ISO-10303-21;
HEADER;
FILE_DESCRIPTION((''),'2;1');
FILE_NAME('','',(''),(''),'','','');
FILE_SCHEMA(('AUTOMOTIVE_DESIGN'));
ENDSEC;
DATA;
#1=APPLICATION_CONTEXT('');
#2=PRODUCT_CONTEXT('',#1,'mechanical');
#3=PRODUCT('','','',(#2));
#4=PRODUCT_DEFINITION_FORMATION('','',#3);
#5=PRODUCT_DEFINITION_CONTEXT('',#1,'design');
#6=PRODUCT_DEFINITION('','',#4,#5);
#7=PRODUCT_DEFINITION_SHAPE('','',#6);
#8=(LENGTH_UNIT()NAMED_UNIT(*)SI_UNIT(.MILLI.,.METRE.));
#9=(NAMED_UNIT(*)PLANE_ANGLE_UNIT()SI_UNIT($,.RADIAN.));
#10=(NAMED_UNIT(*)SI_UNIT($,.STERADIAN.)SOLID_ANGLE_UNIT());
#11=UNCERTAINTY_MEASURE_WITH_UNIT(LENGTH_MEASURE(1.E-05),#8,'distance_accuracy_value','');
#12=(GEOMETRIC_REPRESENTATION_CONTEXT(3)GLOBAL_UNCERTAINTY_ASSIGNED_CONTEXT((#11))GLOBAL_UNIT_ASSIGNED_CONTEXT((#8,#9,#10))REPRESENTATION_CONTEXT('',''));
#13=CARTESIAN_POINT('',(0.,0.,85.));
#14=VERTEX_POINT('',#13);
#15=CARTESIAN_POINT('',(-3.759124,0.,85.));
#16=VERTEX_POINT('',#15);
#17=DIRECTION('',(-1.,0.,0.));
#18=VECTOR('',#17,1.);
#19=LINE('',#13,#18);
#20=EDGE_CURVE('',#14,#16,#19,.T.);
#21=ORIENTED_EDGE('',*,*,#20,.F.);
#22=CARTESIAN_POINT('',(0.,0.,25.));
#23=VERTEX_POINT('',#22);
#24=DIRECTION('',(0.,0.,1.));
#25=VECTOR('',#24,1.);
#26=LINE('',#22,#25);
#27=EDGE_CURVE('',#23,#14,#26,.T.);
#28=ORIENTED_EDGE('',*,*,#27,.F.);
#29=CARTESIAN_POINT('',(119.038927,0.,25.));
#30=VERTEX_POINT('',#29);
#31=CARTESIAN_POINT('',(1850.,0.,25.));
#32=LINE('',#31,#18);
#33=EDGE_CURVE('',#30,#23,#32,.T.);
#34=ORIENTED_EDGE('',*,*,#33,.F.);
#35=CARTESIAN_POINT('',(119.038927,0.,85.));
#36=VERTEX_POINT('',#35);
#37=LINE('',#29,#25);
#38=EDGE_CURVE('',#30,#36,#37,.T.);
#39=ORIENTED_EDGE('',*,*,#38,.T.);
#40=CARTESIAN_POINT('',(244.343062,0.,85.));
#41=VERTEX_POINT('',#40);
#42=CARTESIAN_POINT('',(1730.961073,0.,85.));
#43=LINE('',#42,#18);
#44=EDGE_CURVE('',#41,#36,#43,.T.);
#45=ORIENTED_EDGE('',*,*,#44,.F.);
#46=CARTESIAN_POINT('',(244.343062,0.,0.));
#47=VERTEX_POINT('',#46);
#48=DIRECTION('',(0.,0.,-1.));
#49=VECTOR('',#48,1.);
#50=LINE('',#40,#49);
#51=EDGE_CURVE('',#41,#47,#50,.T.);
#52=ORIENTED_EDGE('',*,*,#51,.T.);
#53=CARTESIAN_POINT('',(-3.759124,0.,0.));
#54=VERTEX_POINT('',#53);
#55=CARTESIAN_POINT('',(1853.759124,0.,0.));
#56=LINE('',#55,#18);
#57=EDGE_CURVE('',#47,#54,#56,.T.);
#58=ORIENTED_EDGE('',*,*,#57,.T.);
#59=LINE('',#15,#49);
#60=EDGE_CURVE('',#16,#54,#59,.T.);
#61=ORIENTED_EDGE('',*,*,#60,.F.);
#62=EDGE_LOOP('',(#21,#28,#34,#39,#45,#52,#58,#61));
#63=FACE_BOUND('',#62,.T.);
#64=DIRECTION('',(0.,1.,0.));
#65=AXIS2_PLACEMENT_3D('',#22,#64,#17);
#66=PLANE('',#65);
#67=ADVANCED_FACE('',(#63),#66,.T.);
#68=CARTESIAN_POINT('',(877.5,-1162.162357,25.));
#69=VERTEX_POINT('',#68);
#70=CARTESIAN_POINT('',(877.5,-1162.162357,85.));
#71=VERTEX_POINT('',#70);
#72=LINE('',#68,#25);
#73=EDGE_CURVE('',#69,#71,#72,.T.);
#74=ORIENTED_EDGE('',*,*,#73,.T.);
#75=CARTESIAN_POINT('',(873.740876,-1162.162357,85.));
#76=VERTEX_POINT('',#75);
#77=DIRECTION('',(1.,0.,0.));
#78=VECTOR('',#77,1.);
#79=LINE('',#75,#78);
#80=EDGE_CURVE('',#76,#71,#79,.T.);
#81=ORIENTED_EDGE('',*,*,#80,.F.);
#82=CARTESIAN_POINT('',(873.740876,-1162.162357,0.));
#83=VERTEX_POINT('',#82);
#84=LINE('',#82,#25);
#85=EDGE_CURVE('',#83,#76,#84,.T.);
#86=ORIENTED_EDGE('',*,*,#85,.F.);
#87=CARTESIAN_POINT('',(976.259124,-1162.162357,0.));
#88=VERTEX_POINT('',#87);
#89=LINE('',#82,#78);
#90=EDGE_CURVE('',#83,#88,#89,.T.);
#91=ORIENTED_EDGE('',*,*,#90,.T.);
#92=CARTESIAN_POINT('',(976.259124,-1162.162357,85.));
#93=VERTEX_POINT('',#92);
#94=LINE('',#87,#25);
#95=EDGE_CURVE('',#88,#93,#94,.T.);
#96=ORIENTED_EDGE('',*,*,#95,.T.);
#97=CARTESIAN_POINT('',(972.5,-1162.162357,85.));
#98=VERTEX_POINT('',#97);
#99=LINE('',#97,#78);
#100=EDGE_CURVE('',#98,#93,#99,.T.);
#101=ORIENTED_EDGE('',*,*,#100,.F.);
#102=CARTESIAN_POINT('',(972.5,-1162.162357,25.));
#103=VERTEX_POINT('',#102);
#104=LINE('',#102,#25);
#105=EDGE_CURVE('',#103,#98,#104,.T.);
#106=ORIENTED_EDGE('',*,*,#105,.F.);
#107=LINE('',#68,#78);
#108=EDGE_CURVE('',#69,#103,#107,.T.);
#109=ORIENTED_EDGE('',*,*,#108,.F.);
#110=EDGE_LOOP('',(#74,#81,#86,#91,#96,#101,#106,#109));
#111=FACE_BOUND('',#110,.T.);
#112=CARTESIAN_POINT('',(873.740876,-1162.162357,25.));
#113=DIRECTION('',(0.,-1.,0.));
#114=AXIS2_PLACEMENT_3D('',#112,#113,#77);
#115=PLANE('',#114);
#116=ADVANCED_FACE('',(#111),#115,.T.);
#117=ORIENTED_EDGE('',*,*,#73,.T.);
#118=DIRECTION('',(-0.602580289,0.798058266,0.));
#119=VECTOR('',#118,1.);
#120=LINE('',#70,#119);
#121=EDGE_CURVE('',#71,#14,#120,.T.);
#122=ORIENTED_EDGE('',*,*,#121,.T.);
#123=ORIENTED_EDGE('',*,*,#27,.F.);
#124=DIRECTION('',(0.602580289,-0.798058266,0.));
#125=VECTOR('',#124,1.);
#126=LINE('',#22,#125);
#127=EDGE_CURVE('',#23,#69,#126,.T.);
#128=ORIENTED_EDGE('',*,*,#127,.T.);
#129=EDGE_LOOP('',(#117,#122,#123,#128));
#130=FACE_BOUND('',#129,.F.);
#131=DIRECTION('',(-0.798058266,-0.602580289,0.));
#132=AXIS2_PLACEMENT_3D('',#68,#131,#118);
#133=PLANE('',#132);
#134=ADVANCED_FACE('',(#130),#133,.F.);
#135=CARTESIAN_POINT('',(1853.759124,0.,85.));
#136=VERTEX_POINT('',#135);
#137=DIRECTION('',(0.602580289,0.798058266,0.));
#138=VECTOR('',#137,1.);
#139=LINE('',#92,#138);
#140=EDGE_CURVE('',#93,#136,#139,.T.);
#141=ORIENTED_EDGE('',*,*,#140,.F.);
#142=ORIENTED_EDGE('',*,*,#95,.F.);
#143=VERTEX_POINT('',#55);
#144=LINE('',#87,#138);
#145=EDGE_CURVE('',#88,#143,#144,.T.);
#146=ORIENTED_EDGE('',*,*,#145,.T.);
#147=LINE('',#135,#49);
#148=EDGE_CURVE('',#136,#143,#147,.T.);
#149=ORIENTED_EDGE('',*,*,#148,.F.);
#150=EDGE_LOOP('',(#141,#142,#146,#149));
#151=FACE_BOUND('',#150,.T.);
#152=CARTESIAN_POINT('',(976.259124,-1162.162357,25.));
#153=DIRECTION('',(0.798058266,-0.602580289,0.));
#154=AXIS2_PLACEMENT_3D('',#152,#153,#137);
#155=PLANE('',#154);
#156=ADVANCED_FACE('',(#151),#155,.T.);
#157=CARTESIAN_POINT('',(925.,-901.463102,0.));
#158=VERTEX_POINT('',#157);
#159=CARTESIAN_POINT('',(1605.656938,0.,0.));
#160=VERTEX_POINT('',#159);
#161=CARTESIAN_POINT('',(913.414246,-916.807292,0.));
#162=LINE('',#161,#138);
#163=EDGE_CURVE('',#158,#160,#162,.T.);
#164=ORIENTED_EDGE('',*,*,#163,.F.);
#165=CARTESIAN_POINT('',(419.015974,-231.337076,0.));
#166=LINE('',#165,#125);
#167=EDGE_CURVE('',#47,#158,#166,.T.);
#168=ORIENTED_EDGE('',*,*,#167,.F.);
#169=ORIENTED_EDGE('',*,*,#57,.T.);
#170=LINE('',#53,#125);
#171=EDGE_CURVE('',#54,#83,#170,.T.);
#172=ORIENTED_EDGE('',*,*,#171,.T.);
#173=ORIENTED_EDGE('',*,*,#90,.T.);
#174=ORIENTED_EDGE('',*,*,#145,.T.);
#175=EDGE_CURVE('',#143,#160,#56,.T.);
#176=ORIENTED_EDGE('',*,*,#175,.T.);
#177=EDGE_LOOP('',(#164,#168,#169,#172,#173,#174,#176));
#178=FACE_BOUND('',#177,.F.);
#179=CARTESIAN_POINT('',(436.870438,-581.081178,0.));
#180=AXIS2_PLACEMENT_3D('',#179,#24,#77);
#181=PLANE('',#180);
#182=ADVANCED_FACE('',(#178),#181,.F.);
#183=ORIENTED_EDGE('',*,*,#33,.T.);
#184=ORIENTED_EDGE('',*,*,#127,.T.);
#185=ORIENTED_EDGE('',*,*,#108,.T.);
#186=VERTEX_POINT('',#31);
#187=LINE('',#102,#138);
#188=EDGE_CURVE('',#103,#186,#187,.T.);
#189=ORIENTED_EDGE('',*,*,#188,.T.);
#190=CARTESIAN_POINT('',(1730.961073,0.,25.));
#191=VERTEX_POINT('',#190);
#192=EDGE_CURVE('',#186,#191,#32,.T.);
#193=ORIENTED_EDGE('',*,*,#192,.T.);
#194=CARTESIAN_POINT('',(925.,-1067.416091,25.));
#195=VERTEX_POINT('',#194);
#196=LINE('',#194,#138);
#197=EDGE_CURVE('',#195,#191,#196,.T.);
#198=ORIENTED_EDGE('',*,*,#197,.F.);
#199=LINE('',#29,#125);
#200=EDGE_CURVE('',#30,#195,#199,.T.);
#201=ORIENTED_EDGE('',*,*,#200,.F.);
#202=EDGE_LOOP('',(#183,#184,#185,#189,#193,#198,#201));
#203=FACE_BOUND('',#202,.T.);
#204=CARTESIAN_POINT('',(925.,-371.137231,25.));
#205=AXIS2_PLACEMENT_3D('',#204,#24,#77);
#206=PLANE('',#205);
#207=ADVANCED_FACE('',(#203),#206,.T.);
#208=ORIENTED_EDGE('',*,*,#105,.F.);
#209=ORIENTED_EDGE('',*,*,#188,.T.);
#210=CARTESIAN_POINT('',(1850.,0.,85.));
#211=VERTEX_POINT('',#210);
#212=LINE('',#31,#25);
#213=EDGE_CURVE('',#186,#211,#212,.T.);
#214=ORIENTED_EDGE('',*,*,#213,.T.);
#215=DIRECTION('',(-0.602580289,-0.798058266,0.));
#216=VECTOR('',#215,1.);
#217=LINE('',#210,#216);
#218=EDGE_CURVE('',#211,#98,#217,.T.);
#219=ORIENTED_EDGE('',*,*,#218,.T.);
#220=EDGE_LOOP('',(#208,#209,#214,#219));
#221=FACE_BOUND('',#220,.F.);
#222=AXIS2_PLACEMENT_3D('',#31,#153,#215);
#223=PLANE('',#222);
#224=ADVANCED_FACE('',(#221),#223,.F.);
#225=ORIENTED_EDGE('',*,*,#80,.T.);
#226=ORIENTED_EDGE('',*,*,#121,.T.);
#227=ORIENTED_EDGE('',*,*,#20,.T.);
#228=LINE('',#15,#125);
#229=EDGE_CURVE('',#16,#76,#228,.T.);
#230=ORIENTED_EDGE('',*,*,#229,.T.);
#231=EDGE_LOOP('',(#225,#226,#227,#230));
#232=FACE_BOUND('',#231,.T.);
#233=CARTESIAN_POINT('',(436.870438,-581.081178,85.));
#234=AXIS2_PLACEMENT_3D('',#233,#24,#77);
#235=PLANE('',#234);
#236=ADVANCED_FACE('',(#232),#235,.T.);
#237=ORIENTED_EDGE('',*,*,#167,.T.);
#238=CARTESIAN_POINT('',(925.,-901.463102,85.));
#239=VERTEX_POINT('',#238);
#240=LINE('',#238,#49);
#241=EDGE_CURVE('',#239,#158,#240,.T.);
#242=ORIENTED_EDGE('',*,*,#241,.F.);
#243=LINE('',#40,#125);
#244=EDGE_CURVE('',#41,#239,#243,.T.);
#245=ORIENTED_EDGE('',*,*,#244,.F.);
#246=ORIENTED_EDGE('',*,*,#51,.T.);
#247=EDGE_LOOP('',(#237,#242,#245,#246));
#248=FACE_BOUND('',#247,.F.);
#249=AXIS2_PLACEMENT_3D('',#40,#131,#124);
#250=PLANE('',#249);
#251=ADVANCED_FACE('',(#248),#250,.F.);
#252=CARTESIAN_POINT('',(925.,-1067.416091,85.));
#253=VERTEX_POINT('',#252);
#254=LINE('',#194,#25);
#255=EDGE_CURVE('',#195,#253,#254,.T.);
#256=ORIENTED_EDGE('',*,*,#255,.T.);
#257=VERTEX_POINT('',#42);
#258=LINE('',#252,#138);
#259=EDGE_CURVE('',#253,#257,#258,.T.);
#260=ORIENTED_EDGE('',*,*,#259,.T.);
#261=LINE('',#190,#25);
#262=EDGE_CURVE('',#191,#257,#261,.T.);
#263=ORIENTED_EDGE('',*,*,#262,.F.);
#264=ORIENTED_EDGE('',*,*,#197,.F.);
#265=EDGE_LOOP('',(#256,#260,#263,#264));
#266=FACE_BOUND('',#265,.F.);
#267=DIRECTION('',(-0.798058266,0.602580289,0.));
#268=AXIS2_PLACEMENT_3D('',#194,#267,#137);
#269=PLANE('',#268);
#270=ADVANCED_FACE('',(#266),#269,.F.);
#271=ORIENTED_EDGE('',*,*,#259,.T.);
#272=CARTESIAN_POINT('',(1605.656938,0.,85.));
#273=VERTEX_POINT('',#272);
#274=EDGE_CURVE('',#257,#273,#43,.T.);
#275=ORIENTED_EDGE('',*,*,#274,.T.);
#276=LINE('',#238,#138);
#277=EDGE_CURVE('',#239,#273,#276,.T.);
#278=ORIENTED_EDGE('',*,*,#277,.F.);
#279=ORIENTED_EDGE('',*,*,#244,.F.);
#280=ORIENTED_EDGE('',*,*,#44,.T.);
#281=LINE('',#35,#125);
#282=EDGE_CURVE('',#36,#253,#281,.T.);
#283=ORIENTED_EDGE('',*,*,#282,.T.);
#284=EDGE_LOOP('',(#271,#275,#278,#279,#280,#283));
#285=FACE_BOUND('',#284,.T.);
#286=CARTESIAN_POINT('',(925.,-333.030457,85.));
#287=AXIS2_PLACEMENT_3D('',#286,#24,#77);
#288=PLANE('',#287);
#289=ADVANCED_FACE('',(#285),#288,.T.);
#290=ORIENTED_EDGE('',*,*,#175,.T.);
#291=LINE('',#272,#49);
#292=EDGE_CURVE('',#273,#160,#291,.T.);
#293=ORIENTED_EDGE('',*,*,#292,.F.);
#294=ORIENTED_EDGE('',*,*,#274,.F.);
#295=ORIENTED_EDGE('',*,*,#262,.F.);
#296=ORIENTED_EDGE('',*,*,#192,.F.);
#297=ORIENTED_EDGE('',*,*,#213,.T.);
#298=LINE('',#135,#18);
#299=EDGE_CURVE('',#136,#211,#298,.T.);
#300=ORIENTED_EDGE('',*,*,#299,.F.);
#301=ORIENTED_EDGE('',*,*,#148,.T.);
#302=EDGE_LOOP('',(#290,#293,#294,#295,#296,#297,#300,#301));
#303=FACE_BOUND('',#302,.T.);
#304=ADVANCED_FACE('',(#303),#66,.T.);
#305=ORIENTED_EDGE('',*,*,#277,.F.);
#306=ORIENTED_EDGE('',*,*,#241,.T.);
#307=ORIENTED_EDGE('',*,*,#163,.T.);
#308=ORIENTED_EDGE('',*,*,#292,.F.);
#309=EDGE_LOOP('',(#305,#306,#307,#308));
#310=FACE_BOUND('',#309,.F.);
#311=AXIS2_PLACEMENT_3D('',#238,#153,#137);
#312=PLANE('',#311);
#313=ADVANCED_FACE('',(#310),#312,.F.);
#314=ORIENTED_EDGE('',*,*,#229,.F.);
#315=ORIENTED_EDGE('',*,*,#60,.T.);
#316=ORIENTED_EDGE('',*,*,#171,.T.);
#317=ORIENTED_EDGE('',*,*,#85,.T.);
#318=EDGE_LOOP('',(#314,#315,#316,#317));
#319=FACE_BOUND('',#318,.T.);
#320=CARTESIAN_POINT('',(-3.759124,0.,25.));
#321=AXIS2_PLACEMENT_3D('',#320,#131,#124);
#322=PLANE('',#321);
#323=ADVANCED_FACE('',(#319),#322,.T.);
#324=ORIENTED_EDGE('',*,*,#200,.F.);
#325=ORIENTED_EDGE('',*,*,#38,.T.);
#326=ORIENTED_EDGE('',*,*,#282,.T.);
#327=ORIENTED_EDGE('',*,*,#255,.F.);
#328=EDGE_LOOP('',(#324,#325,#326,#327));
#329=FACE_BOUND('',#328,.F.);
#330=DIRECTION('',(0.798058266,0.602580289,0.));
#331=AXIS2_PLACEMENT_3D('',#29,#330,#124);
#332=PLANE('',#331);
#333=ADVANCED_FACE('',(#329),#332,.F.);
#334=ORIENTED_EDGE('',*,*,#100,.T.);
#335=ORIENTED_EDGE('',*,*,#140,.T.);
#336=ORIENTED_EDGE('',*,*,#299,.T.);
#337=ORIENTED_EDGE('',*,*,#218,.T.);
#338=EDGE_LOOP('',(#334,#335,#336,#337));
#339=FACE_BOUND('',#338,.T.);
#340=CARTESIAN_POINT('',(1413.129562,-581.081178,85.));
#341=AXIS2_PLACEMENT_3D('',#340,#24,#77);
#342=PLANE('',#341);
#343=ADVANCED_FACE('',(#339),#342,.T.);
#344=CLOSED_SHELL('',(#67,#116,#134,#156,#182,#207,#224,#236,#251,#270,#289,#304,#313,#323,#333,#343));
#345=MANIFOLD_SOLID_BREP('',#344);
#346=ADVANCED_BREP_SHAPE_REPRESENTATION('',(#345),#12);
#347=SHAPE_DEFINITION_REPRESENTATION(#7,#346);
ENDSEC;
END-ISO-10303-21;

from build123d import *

# Parameters (mm, degrees)
F1_DEPTH      = 25
F3_DEPTH      = 60
F5_DEPTH      = 60
F5_DEPTH_BACK = 25
F7_DEPTH      = 85.001


with BuildPart() as f1:
    # F0 (on Top) → F1 (new body)
    with BuildSketch(Plane.XY):
        Polygon((1850, 0), (0, 0), (877.5, -1162.1623567633), (972.5, -1162.1623567633), align=None)
    extrude(amount=F1_DEPTH)

    # F2 (on face) → F3 (join)
    with BuildSketch(Plane.XY.offset(25)):
        Polygon((119.0389274289, 0), (925, -1067.4160906651), (1730.9610725711, 0), align=None)
    extrude(amount=F3_DEPTH)

    # F4 (on face) → F5 (join, two sides)
    with BuildSketch(Plane.XY.offset(25)) as f5_sk:
        Polygon((-3.7591240241, 0), (873.7408759759, -1162.1623567633), (877.5, -1162.1623567633), (0, 0), align=None)
        Polygon((1850, 0), (972.5, -1162.1623567633), (976.2591240241, -1162.1623567633), (1853.7591240241, 0), align=None)
    extrude(amount=F5_DEPTH)
    extrude(f5_sk.sketch, amount=-F5_DEPTH_BACK)

    # F6 (on face) → F7 (cut, through all)
    with BuildSketch(Plane.XY.offset(85)):
        Polygon((244.3430615646, 0), (925, -901.4631016744), (1605.6569384354, 0), align=None)
    extrude(amount=-F7_DEPTH, mode=Mode.SUBTRACT)


solid = f1.part
